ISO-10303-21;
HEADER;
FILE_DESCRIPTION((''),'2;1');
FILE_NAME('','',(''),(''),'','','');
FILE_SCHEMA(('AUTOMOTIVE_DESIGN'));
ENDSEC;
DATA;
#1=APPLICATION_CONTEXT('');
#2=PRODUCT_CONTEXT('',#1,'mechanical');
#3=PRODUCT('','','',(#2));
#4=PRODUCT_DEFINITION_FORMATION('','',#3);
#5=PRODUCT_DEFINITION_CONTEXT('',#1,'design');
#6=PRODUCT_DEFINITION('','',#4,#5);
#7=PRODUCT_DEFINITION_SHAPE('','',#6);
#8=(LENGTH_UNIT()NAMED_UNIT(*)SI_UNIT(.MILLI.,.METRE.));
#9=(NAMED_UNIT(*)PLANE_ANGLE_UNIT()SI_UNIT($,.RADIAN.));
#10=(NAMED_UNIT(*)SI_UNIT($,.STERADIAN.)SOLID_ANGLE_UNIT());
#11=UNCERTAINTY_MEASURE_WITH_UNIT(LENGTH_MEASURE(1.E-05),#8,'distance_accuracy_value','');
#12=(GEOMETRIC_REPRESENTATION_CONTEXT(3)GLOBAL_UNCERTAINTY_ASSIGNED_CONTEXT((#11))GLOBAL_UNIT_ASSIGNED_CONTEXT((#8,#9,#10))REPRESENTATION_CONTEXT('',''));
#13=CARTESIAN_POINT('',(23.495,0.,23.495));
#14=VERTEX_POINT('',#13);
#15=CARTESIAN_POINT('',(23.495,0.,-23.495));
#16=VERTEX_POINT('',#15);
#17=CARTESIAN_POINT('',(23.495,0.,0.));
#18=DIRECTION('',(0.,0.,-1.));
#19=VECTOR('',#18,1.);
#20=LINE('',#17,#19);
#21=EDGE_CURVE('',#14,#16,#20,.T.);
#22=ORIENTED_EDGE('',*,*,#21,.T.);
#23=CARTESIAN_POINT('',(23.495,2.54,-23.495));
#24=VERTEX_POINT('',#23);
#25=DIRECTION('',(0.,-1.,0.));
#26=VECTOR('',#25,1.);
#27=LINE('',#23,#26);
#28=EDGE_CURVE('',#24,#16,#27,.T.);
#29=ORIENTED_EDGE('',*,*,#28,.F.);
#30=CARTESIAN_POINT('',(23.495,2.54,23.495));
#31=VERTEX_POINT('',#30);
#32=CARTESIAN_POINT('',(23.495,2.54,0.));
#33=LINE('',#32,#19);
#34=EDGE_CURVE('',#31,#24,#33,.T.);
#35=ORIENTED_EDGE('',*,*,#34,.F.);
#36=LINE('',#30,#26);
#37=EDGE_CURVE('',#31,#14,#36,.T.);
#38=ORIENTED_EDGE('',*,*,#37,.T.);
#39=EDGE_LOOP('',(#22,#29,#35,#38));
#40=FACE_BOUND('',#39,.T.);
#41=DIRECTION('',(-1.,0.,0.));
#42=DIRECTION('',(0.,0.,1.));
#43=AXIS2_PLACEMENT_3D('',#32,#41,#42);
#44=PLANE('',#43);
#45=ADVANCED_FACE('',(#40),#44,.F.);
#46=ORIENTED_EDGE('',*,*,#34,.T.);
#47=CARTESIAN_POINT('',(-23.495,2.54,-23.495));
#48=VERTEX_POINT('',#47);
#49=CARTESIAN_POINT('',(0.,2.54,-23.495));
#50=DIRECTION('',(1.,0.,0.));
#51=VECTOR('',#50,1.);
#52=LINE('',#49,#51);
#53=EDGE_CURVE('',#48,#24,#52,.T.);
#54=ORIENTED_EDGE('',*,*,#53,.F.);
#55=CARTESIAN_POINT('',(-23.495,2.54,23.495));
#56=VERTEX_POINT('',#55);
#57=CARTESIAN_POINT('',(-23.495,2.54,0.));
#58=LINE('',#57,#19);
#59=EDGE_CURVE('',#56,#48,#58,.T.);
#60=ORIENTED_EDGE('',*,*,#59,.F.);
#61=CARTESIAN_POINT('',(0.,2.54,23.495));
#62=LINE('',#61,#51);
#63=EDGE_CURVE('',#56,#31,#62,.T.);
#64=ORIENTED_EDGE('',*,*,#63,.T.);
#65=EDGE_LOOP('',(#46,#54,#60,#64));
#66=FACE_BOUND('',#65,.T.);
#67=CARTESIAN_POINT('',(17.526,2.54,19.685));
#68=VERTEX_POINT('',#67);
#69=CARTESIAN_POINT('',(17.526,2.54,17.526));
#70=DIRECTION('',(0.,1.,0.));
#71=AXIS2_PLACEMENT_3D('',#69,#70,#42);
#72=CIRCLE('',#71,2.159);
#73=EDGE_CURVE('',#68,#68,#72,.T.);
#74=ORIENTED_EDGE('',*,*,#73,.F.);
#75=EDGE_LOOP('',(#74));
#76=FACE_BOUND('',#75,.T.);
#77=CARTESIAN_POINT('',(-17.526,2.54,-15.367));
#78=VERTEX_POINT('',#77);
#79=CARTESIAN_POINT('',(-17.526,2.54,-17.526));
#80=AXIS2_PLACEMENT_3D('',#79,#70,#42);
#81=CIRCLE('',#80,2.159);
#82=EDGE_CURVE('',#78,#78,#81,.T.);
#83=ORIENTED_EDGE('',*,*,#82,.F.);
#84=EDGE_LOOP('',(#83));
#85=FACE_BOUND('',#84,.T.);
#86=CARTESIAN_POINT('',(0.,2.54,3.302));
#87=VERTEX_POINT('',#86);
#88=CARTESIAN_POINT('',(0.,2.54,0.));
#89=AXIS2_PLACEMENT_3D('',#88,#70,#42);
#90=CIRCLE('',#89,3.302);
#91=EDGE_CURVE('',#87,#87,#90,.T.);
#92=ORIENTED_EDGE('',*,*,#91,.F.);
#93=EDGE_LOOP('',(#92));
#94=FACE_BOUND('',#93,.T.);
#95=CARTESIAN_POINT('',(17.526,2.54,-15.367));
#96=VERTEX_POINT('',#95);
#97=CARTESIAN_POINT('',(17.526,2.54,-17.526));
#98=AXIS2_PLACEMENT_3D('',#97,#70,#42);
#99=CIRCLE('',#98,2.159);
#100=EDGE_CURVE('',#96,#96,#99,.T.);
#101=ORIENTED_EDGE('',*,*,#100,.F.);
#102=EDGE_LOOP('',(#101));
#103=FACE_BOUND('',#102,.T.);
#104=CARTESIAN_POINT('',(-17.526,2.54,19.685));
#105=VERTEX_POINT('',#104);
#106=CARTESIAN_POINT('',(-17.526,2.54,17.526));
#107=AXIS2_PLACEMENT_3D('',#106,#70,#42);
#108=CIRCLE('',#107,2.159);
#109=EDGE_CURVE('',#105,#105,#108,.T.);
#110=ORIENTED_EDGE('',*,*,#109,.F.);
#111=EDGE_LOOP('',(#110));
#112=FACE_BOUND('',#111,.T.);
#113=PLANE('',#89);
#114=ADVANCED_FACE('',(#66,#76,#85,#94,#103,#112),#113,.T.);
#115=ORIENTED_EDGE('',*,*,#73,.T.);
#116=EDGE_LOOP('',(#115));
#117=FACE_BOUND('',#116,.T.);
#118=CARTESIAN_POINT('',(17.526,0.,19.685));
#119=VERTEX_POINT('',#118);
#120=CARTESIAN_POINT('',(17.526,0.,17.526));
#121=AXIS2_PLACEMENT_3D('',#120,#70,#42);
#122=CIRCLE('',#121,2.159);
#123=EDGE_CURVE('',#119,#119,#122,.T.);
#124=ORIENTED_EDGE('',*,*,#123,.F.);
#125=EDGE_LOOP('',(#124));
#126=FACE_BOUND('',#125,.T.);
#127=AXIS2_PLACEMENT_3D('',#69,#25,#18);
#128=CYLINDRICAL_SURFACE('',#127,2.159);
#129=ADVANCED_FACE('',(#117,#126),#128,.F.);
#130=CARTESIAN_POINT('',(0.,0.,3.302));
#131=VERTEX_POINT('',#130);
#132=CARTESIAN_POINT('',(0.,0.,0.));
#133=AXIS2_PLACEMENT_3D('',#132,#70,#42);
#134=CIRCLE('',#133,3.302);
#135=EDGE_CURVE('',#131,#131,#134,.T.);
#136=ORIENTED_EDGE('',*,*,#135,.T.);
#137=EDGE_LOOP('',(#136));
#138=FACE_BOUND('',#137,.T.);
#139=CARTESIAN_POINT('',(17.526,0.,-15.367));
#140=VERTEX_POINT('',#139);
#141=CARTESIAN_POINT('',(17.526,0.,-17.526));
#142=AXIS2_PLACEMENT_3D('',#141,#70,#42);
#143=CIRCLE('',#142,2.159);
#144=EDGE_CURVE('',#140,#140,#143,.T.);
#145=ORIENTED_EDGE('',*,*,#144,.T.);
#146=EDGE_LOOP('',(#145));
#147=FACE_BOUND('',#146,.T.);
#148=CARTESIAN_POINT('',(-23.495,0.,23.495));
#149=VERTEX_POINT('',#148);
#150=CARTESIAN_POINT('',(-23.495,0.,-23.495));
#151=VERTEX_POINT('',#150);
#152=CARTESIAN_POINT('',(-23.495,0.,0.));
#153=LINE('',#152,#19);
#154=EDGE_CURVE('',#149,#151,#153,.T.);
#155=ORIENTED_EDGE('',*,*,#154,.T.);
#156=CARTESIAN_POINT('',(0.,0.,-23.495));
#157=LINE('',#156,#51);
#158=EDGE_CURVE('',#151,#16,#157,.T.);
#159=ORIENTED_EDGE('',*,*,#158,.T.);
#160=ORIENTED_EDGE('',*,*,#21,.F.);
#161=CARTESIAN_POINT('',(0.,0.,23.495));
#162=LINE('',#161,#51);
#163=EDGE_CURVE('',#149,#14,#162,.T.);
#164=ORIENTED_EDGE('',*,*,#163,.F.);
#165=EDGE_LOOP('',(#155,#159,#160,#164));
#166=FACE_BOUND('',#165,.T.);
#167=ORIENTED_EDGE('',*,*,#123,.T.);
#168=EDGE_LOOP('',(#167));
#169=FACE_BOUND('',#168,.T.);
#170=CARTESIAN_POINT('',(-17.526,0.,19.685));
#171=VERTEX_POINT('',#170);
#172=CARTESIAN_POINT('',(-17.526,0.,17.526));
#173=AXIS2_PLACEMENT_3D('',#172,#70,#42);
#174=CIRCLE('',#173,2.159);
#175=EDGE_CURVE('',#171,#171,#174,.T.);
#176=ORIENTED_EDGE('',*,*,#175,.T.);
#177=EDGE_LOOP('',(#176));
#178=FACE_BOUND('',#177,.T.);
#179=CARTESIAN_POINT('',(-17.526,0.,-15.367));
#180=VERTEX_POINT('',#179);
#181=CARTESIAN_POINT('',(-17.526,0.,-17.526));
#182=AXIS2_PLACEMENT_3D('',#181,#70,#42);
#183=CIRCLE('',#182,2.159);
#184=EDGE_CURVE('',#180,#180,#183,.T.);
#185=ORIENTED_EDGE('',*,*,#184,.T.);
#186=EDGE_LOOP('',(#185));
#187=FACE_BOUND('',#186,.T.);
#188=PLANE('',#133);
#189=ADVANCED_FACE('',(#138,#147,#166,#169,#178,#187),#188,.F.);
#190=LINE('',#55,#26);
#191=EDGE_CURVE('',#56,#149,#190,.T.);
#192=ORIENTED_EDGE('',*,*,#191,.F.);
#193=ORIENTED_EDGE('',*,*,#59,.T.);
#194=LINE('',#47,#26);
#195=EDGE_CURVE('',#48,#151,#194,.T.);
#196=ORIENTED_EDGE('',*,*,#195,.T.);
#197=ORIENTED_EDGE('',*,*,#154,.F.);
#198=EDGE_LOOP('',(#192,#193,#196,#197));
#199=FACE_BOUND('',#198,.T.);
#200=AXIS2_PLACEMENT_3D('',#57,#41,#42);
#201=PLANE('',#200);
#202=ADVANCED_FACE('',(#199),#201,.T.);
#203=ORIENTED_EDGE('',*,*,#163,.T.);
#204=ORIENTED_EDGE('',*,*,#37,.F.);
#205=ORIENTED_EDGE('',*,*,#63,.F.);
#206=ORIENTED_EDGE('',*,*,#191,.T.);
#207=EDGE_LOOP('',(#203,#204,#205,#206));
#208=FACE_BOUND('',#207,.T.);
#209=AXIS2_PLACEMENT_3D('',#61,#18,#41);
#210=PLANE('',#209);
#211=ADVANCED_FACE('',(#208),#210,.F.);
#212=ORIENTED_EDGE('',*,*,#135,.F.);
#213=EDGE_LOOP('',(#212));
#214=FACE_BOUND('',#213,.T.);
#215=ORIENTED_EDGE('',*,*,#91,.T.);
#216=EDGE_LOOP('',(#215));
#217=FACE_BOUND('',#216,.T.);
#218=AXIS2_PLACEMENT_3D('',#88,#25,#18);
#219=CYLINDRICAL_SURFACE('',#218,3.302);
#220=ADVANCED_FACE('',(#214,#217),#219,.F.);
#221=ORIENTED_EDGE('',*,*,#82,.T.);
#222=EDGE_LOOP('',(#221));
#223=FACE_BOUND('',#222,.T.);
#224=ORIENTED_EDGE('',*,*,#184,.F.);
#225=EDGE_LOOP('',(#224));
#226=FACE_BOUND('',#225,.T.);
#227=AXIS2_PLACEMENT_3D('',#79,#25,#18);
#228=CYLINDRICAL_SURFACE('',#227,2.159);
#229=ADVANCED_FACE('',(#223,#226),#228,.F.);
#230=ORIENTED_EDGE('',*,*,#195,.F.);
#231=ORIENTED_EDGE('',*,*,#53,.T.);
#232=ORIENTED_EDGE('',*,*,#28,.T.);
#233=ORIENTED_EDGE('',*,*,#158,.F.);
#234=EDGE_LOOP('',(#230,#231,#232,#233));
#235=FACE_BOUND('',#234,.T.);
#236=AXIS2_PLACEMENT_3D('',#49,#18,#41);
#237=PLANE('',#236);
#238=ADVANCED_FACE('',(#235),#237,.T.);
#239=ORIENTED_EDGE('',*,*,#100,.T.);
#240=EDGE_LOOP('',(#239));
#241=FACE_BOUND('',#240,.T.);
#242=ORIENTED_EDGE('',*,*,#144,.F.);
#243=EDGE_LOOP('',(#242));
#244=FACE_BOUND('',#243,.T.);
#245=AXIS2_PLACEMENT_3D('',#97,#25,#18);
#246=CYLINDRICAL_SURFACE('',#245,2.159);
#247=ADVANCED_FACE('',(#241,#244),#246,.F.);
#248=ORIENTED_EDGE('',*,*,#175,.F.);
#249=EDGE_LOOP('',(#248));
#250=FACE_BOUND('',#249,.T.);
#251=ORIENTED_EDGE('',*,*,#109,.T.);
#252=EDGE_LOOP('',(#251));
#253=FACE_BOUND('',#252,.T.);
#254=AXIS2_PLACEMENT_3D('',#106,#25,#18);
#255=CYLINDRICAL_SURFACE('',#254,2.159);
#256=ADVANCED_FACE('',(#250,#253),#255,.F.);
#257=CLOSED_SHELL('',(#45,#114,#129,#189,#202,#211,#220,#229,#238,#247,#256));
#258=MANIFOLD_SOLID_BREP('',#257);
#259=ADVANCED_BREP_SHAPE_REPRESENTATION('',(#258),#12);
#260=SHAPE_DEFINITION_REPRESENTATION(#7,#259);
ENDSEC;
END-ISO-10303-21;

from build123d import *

# Parameters (mm, degrees)
SKETCH1_W           = 46.99
SKETCH1_H           = 46.99
SKETCH1_R           = 2.159
SKETCH1_R_2         = 3.302
BOSS_EXTRUDE1_DEPTH = 2.54


with BuildPart() as part:
    # Sketch1 → Boss-Extrude1 (new body)
    with BuildSketch(Plane(origin=(0, 0, 0), x_dir=(1, 0, 0), z_dir=(0, 1, 0))):
        Rectangle(SKETCH1_W, SKETCH1_H)
        with Locations(Location((-17.526, 17.526, 0), (0, 0, 270))):
            Circle(SKETCH1_R, mode=Mode.SUBTRACT)
        with Locations(Location((17.526, 17.526, 0), (0, 0, 270))):
            Circle(SKETCH1_R, mode=Mode.SUBTRACT)
        with Locations(Location((-17.526, -17.526, 0), (0, 0, 270))):
            Circle(SKETCH1_R, mode=Mode.SUBTRACT)
        with Locations(Location((17.526, -17.526, 0), (0, 0, 270))):
            Circle(SKETCH1_R, mode=Mode.SUBTRACT)
        with Locations(Location((0, 0, 0), (0, 0, 270))):
            Circle(SKETCH1_R_2, mode=Mode.SUBTRACT)
    extrude(amount=BOSS_EXTRUDE1_DEPTH)


solid = part.part
